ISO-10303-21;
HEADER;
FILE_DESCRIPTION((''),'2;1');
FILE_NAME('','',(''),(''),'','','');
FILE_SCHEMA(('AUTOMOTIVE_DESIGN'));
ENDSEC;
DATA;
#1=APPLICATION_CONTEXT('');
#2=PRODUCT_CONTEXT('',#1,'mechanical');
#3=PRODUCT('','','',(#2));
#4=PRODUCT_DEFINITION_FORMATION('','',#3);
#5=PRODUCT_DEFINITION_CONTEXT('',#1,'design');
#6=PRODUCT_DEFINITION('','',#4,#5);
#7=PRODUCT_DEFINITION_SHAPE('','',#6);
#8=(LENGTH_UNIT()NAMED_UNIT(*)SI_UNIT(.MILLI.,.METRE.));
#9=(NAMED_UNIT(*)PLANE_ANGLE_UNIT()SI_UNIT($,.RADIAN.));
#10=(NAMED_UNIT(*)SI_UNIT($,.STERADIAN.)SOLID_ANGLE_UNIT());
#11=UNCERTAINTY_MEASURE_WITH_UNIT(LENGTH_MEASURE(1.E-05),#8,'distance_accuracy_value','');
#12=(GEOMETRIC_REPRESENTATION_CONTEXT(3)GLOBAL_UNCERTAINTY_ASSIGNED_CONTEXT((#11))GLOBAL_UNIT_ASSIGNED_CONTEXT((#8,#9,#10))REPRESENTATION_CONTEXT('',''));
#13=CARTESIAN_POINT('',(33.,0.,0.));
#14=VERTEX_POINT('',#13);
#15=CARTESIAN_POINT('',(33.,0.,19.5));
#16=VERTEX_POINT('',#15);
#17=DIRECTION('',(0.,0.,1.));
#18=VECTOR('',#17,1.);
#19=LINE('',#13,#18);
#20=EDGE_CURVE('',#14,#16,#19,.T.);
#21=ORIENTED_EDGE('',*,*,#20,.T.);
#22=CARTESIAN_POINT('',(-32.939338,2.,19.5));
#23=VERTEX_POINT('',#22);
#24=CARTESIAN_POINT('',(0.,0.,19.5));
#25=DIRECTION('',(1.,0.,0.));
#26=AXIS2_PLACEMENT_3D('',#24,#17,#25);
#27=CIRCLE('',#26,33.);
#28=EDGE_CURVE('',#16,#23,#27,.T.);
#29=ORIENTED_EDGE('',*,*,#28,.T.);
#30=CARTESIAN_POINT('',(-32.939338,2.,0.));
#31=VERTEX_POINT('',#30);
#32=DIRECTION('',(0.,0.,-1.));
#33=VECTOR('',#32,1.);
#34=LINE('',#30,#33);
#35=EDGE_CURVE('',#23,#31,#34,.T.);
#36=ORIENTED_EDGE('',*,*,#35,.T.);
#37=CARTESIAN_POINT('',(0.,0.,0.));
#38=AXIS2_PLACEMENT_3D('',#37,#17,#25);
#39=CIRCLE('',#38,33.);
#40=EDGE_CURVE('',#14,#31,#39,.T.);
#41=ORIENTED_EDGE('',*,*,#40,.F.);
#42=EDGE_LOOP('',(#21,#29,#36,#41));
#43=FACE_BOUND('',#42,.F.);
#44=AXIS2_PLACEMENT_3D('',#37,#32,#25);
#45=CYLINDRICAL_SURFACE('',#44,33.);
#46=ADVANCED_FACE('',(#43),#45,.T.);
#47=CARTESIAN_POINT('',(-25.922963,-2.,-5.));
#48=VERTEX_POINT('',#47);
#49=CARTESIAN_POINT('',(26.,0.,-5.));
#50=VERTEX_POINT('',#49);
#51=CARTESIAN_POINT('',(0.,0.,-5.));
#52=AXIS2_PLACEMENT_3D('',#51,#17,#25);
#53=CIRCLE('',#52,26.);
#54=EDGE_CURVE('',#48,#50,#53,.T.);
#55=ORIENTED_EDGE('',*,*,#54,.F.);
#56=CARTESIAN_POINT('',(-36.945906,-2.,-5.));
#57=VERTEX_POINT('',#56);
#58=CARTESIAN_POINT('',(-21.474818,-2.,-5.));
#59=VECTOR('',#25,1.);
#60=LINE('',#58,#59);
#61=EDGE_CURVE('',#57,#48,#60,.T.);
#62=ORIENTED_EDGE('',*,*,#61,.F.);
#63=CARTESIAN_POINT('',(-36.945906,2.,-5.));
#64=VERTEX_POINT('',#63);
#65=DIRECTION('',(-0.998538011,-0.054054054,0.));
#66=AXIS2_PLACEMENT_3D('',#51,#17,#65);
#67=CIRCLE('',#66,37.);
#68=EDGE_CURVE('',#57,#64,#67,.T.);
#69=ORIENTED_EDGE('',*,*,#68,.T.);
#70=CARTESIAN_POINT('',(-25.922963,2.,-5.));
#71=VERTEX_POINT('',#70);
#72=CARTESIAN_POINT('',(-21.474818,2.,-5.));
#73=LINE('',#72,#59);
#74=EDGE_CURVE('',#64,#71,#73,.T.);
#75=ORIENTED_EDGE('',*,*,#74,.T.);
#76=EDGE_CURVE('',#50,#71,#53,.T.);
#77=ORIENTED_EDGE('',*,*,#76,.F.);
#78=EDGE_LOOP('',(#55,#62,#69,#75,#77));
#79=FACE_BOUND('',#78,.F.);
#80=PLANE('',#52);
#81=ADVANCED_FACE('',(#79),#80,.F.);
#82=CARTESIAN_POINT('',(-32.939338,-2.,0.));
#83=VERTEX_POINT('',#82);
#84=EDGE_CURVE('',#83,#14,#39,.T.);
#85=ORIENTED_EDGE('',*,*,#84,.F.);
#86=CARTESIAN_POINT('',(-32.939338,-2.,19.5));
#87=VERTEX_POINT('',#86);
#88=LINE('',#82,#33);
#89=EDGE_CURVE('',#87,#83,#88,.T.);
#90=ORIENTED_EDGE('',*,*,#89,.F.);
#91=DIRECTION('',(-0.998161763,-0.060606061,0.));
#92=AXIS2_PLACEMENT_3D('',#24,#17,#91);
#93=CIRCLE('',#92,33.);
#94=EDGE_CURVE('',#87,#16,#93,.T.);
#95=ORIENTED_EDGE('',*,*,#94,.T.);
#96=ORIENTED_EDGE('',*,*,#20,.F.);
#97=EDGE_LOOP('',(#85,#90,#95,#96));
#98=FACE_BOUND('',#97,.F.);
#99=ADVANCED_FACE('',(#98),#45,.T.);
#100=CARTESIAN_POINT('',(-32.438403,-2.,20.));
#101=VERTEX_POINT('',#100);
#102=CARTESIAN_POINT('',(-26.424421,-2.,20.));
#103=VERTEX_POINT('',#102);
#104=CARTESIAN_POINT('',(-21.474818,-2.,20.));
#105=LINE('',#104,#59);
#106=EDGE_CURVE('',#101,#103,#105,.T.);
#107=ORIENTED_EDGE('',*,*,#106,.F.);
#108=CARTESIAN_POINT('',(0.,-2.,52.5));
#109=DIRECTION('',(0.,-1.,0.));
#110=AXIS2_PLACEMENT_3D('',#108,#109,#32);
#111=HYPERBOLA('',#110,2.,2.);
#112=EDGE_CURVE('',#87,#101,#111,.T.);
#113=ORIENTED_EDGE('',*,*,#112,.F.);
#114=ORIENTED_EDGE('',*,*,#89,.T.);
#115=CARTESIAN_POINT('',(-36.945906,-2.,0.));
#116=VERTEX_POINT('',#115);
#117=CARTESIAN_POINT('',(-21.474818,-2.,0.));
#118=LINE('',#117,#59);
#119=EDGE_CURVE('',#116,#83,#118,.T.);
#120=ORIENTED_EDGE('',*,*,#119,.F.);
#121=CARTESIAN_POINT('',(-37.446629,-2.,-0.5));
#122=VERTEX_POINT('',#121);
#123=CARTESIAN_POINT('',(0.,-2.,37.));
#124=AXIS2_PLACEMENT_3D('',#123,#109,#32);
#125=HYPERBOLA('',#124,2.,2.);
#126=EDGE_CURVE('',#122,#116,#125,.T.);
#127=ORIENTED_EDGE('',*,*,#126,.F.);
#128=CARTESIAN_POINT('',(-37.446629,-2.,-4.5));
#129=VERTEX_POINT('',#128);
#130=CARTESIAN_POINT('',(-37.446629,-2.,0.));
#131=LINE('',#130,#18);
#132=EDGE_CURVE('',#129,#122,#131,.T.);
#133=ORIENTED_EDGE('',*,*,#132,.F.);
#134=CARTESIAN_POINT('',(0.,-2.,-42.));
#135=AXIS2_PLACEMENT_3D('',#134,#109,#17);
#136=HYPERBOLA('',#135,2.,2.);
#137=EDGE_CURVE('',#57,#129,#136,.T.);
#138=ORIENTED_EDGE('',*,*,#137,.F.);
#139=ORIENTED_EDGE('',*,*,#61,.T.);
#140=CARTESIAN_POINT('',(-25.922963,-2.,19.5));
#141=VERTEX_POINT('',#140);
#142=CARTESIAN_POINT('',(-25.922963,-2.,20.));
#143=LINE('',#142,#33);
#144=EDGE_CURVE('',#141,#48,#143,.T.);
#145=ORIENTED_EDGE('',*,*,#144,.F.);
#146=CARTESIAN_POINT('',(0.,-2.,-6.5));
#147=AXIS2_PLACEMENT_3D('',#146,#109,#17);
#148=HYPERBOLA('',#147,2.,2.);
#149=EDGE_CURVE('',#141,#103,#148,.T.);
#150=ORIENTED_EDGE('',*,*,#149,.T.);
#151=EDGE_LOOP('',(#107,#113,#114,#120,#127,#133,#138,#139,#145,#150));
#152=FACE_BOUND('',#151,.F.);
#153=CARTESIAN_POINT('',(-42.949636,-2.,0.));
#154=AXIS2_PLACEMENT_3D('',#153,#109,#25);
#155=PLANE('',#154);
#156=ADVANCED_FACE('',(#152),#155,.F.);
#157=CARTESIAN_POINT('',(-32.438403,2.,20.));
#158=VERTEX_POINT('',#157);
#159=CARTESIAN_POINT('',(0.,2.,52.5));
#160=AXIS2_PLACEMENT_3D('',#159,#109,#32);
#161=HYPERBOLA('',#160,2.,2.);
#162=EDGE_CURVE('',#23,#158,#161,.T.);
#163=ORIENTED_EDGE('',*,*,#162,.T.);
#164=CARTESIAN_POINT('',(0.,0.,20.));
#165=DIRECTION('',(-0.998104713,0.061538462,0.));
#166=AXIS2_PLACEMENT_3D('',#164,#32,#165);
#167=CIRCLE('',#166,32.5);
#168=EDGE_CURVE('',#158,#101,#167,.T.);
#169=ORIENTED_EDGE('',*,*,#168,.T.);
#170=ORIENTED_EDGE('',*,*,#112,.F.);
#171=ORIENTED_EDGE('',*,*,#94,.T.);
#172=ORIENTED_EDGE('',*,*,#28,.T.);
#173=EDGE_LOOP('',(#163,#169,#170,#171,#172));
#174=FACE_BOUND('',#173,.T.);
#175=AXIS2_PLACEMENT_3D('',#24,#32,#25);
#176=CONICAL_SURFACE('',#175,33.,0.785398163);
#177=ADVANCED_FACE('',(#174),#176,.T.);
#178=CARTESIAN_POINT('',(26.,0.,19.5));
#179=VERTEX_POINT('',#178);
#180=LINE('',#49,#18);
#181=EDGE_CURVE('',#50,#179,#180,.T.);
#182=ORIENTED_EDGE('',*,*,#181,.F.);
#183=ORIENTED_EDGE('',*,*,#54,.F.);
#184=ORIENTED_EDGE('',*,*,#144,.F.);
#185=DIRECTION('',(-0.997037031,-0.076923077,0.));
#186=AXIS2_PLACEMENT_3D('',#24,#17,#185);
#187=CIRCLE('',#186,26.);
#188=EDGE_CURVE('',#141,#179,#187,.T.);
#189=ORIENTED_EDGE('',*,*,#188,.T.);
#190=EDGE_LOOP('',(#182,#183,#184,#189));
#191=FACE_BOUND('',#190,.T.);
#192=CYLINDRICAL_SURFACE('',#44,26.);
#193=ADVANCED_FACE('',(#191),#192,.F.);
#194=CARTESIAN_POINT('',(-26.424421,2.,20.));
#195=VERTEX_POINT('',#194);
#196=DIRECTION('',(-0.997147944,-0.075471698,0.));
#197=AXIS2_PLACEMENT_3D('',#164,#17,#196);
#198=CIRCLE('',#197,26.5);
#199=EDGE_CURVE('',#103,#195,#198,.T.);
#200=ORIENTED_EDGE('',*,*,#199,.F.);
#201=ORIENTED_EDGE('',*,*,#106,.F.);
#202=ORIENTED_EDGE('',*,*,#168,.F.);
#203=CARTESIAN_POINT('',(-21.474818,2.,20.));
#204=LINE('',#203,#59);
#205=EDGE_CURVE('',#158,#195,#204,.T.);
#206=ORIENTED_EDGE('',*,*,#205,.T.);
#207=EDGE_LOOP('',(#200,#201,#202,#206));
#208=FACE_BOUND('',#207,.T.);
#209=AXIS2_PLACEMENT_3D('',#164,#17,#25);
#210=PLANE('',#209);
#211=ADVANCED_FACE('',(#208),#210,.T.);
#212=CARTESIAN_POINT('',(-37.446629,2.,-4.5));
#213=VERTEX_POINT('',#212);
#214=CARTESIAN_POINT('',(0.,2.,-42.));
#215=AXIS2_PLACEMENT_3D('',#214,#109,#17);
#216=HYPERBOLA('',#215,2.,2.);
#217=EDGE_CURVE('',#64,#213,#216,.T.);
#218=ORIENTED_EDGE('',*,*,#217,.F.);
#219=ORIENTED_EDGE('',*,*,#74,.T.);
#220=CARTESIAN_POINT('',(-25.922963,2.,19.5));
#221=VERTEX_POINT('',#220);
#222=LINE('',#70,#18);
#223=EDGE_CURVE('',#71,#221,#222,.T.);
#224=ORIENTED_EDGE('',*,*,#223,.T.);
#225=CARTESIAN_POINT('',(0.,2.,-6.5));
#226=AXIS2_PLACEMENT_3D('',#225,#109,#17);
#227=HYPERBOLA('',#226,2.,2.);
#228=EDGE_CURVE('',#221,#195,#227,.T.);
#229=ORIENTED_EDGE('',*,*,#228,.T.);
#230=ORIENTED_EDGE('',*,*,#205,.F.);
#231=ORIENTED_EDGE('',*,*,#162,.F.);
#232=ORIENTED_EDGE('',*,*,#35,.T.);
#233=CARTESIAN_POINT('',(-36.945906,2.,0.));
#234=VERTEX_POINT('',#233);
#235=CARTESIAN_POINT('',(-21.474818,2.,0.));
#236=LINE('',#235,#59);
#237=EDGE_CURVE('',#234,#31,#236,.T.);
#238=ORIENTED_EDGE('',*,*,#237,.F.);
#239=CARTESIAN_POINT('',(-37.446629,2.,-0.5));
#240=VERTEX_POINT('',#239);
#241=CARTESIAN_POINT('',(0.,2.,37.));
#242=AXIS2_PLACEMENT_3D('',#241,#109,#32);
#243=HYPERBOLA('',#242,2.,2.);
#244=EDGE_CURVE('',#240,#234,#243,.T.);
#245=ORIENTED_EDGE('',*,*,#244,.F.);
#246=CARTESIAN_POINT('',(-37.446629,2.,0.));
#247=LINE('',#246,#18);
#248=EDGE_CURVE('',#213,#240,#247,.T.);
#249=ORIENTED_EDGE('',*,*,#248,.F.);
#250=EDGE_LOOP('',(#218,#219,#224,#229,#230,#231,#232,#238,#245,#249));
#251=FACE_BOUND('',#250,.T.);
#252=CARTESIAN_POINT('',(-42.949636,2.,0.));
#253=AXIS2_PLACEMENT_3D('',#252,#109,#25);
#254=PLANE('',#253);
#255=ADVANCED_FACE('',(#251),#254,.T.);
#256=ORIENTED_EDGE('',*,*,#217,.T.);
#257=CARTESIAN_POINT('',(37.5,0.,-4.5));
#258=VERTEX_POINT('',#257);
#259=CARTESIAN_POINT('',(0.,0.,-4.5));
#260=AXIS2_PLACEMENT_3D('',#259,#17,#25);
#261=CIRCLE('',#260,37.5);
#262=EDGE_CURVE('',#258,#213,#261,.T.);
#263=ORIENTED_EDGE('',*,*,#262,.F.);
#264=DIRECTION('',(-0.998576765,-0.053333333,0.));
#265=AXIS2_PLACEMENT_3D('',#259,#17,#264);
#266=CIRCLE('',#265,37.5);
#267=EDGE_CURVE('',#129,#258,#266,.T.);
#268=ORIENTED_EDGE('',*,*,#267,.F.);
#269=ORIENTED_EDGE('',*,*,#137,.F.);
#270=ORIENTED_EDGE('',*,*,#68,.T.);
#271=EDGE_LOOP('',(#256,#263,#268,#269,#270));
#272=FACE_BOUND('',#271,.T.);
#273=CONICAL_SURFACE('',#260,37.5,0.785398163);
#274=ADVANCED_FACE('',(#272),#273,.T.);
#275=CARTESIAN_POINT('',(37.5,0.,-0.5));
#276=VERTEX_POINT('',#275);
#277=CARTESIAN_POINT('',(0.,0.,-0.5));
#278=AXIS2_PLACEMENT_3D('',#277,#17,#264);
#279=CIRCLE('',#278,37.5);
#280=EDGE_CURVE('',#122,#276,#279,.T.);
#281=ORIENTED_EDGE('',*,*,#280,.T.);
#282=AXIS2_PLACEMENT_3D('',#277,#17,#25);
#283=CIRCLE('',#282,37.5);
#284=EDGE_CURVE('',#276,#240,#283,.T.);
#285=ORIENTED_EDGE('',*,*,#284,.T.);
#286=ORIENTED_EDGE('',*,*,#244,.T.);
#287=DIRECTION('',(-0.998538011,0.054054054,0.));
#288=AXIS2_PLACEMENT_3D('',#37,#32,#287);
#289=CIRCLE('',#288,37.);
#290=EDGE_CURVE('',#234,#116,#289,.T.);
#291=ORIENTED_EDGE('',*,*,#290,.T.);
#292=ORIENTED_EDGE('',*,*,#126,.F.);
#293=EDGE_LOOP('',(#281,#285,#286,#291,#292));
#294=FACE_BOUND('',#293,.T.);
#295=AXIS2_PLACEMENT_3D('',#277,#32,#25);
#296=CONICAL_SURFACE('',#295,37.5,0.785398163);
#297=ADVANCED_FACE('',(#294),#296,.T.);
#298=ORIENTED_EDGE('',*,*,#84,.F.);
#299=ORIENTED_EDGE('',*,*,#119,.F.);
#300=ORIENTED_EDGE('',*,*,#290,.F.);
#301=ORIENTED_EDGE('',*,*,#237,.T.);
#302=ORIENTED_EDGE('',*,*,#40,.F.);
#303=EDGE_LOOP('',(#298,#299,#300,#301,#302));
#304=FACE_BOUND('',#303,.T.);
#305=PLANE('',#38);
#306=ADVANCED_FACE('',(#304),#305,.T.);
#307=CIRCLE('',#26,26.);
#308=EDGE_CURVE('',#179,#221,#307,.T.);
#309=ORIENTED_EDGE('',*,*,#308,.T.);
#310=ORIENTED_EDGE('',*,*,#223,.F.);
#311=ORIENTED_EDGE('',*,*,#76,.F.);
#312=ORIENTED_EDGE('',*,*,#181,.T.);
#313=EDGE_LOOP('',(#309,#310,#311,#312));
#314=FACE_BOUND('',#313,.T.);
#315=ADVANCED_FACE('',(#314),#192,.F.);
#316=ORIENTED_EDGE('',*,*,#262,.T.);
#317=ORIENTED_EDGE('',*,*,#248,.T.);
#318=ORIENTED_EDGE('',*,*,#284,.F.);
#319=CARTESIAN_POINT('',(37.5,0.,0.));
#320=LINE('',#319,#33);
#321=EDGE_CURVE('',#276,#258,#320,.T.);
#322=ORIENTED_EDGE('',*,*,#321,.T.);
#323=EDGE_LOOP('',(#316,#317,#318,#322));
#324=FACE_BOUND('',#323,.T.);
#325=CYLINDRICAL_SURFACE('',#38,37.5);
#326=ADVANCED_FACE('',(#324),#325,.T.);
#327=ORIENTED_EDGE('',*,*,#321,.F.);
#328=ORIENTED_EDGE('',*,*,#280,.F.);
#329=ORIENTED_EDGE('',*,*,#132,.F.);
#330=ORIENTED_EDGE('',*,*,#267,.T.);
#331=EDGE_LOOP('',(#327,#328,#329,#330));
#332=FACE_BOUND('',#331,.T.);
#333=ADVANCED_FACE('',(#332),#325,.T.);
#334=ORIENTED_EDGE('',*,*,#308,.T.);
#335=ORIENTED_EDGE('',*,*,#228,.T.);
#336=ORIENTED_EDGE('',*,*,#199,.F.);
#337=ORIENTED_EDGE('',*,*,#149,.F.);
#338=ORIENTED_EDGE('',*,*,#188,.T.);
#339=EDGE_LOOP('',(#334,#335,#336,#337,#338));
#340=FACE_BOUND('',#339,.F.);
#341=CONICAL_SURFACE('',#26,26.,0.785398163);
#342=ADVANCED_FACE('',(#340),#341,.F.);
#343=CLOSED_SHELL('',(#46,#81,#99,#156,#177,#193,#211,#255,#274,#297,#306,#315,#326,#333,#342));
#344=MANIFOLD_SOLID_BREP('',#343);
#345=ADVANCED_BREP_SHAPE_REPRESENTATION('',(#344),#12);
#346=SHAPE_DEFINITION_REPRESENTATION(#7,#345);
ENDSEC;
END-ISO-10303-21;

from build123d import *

# Parameters (mm, degrees)
F0_R     = 33
F0_R_2   = 26
F1_DEPTH = 20
F2_R     = 37.5
F2_R_2   = 26
F3_DEPTH = 5
F4_W     = 22
F4_H     = 4
F5_DEPTH = 25
F6_SIZE  = 0.5


with BuildPart() as f1:
    # F0 (on Top) → F1 (new body)
    with BuildSketch(Plane.XY):
        Circle(F0_R)
        Circle(F0_R_2, mode=Mode.SUBTRACT)
    extrude(amount=F1_DEPTH)

    # F2 (on Top) → F3 (join)
    with BuildSketch(Plane.XY):
        Circle(F2_R)
        Circle(F2_R_2, mode=Mode.SUBTRACT)
    extrude(amount=-F3_DEPTH)

    # F4 (on Top) → F5 (cut, symmetric)
    with BuildSketch(Plane.XY):
        with Locations((-31.949636, 0)):
            Rectangle(F4_W, F4_H)
    extrude(amount=F5_DEPTH, both=True, mode=Mode.SUBTRACT)

    # F6
    f6_edges = [f1.edges().sort_by_distance(p)[0] for p in [
        (1.00046, 32.984831, 20),
        (1.00046, -32.984831, 20),
        (1.000742, -25.980734, 20),
        (1.000742, 25.980734, 20),
        (1.000356, -37.486655, 0),
        (1.000356, 37.486655, 0),
        (1.000356, -37.486655, -5),
        (1.000356, 37.486655, -5),
    ]]
    chamfer(f6_edges, length=F6_SIZE)


solid = f1.part
